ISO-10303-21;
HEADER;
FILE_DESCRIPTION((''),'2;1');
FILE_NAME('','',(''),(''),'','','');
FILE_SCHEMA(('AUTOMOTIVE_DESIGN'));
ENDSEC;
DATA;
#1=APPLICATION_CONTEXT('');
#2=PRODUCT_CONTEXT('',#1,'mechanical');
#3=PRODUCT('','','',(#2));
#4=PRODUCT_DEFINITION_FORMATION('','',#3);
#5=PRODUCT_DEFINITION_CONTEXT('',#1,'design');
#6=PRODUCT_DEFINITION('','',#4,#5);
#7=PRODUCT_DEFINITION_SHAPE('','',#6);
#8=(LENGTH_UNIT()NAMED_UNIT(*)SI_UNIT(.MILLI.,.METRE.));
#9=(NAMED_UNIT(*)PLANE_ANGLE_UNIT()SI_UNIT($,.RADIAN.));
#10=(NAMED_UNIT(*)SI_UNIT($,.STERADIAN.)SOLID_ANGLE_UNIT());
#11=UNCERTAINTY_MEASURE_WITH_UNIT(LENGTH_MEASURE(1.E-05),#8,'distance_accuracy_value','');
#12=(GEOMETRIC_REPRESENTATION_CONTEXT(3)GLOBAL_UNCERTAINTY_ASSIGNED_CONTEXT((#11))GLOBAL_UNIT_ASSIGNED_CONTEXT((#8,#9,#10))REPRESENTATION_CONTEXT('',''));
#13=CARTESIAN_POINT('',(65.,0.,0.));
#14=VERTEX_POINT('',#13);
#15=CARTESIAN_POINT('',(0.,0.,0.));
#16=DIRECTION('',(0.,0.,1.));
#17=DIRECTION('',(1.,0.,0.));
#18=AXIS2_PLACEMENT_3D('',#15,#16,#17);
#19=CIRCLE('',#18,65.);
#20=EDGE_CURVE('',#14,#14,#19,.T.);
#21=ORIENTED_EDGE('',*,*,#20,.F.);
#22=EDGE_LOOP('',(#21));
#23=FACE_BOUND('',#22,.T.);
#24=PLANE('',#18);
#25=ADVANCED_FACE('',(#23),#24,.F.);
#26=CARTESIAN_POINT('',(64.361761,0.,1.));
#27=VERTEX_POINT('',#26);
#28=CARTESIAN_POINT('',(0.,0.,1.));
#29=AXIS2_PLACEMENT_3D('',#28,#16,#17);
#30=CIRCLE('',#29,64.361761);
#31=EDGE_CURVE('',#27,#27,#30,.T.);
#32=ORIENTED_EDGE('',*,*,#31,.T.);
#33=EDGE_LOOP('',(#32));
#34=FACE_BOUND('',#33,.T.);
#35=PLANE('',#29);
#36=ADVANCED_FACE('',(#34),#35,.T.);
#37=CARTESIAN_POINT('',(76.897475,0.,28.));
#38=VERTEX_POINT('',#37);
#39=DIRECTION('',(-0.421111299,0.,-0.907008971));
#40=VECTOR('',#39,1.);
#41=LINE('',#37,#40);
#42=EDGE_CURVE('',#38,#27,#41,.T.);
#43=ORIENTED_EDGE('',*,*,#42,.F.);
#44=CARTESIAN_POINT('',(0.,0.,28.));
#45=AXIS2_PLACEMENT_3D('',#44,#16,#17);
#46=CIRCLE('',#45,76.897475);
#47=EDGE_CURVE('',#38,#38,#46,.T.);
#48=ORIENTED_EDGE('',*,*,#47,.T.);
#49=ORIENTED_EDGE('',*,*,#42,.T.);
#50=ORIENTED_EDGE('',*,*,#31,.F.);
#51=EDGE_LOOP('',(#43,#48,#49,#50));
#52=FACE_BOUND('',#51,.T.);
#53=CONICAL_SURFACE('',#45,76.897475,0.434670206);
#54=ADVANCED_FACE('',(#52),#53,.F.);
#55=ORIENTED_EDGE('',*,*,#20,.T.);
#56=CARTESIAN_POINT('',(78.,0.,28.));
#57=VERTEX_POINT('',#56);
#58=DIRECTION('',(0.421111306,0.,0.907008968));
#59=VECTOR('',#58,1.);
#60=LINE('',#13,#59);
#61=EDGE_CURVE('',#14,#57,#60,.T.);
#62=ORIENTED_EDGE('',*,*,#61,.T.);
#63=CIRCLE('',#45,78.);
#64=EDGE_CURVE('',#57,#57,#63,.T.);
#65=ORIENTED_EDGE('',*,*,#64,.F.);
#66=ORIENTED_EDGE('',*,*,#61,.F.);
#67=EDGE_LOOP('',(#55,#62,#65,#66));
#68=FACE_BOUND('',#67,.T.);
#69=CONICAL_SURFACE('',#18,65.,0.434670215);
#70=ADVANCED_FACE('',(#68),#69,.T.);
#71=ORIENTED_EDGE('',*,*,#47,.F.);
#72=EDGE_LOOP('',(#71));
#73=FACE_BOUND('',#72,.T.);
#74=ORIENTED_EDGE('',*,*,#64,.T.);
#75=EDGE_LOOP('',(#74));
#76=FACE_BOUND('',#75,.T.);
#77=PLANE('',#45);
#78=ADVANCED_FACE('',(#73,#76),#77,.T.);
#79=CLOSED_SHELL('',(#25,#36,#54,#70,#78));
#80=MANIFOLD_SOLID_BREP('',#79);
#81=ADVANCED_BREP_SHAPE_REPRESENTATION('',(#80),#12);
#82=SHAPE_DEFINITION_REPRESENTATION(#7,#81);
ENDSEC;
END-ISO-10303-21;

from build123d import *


with BuildPart() as part:
    # Sketch → Revolution (revolve)
    with BuildSketch(Plane.XZ):
        Polygon((0, 0), (65, 0), (78, 28), (76.897475, 28), (64.361761, 1), (0, 1), align=None)
    revolve(axis=Axis((0, 0, 0), (0, 0, 1)))


solid = part.part
